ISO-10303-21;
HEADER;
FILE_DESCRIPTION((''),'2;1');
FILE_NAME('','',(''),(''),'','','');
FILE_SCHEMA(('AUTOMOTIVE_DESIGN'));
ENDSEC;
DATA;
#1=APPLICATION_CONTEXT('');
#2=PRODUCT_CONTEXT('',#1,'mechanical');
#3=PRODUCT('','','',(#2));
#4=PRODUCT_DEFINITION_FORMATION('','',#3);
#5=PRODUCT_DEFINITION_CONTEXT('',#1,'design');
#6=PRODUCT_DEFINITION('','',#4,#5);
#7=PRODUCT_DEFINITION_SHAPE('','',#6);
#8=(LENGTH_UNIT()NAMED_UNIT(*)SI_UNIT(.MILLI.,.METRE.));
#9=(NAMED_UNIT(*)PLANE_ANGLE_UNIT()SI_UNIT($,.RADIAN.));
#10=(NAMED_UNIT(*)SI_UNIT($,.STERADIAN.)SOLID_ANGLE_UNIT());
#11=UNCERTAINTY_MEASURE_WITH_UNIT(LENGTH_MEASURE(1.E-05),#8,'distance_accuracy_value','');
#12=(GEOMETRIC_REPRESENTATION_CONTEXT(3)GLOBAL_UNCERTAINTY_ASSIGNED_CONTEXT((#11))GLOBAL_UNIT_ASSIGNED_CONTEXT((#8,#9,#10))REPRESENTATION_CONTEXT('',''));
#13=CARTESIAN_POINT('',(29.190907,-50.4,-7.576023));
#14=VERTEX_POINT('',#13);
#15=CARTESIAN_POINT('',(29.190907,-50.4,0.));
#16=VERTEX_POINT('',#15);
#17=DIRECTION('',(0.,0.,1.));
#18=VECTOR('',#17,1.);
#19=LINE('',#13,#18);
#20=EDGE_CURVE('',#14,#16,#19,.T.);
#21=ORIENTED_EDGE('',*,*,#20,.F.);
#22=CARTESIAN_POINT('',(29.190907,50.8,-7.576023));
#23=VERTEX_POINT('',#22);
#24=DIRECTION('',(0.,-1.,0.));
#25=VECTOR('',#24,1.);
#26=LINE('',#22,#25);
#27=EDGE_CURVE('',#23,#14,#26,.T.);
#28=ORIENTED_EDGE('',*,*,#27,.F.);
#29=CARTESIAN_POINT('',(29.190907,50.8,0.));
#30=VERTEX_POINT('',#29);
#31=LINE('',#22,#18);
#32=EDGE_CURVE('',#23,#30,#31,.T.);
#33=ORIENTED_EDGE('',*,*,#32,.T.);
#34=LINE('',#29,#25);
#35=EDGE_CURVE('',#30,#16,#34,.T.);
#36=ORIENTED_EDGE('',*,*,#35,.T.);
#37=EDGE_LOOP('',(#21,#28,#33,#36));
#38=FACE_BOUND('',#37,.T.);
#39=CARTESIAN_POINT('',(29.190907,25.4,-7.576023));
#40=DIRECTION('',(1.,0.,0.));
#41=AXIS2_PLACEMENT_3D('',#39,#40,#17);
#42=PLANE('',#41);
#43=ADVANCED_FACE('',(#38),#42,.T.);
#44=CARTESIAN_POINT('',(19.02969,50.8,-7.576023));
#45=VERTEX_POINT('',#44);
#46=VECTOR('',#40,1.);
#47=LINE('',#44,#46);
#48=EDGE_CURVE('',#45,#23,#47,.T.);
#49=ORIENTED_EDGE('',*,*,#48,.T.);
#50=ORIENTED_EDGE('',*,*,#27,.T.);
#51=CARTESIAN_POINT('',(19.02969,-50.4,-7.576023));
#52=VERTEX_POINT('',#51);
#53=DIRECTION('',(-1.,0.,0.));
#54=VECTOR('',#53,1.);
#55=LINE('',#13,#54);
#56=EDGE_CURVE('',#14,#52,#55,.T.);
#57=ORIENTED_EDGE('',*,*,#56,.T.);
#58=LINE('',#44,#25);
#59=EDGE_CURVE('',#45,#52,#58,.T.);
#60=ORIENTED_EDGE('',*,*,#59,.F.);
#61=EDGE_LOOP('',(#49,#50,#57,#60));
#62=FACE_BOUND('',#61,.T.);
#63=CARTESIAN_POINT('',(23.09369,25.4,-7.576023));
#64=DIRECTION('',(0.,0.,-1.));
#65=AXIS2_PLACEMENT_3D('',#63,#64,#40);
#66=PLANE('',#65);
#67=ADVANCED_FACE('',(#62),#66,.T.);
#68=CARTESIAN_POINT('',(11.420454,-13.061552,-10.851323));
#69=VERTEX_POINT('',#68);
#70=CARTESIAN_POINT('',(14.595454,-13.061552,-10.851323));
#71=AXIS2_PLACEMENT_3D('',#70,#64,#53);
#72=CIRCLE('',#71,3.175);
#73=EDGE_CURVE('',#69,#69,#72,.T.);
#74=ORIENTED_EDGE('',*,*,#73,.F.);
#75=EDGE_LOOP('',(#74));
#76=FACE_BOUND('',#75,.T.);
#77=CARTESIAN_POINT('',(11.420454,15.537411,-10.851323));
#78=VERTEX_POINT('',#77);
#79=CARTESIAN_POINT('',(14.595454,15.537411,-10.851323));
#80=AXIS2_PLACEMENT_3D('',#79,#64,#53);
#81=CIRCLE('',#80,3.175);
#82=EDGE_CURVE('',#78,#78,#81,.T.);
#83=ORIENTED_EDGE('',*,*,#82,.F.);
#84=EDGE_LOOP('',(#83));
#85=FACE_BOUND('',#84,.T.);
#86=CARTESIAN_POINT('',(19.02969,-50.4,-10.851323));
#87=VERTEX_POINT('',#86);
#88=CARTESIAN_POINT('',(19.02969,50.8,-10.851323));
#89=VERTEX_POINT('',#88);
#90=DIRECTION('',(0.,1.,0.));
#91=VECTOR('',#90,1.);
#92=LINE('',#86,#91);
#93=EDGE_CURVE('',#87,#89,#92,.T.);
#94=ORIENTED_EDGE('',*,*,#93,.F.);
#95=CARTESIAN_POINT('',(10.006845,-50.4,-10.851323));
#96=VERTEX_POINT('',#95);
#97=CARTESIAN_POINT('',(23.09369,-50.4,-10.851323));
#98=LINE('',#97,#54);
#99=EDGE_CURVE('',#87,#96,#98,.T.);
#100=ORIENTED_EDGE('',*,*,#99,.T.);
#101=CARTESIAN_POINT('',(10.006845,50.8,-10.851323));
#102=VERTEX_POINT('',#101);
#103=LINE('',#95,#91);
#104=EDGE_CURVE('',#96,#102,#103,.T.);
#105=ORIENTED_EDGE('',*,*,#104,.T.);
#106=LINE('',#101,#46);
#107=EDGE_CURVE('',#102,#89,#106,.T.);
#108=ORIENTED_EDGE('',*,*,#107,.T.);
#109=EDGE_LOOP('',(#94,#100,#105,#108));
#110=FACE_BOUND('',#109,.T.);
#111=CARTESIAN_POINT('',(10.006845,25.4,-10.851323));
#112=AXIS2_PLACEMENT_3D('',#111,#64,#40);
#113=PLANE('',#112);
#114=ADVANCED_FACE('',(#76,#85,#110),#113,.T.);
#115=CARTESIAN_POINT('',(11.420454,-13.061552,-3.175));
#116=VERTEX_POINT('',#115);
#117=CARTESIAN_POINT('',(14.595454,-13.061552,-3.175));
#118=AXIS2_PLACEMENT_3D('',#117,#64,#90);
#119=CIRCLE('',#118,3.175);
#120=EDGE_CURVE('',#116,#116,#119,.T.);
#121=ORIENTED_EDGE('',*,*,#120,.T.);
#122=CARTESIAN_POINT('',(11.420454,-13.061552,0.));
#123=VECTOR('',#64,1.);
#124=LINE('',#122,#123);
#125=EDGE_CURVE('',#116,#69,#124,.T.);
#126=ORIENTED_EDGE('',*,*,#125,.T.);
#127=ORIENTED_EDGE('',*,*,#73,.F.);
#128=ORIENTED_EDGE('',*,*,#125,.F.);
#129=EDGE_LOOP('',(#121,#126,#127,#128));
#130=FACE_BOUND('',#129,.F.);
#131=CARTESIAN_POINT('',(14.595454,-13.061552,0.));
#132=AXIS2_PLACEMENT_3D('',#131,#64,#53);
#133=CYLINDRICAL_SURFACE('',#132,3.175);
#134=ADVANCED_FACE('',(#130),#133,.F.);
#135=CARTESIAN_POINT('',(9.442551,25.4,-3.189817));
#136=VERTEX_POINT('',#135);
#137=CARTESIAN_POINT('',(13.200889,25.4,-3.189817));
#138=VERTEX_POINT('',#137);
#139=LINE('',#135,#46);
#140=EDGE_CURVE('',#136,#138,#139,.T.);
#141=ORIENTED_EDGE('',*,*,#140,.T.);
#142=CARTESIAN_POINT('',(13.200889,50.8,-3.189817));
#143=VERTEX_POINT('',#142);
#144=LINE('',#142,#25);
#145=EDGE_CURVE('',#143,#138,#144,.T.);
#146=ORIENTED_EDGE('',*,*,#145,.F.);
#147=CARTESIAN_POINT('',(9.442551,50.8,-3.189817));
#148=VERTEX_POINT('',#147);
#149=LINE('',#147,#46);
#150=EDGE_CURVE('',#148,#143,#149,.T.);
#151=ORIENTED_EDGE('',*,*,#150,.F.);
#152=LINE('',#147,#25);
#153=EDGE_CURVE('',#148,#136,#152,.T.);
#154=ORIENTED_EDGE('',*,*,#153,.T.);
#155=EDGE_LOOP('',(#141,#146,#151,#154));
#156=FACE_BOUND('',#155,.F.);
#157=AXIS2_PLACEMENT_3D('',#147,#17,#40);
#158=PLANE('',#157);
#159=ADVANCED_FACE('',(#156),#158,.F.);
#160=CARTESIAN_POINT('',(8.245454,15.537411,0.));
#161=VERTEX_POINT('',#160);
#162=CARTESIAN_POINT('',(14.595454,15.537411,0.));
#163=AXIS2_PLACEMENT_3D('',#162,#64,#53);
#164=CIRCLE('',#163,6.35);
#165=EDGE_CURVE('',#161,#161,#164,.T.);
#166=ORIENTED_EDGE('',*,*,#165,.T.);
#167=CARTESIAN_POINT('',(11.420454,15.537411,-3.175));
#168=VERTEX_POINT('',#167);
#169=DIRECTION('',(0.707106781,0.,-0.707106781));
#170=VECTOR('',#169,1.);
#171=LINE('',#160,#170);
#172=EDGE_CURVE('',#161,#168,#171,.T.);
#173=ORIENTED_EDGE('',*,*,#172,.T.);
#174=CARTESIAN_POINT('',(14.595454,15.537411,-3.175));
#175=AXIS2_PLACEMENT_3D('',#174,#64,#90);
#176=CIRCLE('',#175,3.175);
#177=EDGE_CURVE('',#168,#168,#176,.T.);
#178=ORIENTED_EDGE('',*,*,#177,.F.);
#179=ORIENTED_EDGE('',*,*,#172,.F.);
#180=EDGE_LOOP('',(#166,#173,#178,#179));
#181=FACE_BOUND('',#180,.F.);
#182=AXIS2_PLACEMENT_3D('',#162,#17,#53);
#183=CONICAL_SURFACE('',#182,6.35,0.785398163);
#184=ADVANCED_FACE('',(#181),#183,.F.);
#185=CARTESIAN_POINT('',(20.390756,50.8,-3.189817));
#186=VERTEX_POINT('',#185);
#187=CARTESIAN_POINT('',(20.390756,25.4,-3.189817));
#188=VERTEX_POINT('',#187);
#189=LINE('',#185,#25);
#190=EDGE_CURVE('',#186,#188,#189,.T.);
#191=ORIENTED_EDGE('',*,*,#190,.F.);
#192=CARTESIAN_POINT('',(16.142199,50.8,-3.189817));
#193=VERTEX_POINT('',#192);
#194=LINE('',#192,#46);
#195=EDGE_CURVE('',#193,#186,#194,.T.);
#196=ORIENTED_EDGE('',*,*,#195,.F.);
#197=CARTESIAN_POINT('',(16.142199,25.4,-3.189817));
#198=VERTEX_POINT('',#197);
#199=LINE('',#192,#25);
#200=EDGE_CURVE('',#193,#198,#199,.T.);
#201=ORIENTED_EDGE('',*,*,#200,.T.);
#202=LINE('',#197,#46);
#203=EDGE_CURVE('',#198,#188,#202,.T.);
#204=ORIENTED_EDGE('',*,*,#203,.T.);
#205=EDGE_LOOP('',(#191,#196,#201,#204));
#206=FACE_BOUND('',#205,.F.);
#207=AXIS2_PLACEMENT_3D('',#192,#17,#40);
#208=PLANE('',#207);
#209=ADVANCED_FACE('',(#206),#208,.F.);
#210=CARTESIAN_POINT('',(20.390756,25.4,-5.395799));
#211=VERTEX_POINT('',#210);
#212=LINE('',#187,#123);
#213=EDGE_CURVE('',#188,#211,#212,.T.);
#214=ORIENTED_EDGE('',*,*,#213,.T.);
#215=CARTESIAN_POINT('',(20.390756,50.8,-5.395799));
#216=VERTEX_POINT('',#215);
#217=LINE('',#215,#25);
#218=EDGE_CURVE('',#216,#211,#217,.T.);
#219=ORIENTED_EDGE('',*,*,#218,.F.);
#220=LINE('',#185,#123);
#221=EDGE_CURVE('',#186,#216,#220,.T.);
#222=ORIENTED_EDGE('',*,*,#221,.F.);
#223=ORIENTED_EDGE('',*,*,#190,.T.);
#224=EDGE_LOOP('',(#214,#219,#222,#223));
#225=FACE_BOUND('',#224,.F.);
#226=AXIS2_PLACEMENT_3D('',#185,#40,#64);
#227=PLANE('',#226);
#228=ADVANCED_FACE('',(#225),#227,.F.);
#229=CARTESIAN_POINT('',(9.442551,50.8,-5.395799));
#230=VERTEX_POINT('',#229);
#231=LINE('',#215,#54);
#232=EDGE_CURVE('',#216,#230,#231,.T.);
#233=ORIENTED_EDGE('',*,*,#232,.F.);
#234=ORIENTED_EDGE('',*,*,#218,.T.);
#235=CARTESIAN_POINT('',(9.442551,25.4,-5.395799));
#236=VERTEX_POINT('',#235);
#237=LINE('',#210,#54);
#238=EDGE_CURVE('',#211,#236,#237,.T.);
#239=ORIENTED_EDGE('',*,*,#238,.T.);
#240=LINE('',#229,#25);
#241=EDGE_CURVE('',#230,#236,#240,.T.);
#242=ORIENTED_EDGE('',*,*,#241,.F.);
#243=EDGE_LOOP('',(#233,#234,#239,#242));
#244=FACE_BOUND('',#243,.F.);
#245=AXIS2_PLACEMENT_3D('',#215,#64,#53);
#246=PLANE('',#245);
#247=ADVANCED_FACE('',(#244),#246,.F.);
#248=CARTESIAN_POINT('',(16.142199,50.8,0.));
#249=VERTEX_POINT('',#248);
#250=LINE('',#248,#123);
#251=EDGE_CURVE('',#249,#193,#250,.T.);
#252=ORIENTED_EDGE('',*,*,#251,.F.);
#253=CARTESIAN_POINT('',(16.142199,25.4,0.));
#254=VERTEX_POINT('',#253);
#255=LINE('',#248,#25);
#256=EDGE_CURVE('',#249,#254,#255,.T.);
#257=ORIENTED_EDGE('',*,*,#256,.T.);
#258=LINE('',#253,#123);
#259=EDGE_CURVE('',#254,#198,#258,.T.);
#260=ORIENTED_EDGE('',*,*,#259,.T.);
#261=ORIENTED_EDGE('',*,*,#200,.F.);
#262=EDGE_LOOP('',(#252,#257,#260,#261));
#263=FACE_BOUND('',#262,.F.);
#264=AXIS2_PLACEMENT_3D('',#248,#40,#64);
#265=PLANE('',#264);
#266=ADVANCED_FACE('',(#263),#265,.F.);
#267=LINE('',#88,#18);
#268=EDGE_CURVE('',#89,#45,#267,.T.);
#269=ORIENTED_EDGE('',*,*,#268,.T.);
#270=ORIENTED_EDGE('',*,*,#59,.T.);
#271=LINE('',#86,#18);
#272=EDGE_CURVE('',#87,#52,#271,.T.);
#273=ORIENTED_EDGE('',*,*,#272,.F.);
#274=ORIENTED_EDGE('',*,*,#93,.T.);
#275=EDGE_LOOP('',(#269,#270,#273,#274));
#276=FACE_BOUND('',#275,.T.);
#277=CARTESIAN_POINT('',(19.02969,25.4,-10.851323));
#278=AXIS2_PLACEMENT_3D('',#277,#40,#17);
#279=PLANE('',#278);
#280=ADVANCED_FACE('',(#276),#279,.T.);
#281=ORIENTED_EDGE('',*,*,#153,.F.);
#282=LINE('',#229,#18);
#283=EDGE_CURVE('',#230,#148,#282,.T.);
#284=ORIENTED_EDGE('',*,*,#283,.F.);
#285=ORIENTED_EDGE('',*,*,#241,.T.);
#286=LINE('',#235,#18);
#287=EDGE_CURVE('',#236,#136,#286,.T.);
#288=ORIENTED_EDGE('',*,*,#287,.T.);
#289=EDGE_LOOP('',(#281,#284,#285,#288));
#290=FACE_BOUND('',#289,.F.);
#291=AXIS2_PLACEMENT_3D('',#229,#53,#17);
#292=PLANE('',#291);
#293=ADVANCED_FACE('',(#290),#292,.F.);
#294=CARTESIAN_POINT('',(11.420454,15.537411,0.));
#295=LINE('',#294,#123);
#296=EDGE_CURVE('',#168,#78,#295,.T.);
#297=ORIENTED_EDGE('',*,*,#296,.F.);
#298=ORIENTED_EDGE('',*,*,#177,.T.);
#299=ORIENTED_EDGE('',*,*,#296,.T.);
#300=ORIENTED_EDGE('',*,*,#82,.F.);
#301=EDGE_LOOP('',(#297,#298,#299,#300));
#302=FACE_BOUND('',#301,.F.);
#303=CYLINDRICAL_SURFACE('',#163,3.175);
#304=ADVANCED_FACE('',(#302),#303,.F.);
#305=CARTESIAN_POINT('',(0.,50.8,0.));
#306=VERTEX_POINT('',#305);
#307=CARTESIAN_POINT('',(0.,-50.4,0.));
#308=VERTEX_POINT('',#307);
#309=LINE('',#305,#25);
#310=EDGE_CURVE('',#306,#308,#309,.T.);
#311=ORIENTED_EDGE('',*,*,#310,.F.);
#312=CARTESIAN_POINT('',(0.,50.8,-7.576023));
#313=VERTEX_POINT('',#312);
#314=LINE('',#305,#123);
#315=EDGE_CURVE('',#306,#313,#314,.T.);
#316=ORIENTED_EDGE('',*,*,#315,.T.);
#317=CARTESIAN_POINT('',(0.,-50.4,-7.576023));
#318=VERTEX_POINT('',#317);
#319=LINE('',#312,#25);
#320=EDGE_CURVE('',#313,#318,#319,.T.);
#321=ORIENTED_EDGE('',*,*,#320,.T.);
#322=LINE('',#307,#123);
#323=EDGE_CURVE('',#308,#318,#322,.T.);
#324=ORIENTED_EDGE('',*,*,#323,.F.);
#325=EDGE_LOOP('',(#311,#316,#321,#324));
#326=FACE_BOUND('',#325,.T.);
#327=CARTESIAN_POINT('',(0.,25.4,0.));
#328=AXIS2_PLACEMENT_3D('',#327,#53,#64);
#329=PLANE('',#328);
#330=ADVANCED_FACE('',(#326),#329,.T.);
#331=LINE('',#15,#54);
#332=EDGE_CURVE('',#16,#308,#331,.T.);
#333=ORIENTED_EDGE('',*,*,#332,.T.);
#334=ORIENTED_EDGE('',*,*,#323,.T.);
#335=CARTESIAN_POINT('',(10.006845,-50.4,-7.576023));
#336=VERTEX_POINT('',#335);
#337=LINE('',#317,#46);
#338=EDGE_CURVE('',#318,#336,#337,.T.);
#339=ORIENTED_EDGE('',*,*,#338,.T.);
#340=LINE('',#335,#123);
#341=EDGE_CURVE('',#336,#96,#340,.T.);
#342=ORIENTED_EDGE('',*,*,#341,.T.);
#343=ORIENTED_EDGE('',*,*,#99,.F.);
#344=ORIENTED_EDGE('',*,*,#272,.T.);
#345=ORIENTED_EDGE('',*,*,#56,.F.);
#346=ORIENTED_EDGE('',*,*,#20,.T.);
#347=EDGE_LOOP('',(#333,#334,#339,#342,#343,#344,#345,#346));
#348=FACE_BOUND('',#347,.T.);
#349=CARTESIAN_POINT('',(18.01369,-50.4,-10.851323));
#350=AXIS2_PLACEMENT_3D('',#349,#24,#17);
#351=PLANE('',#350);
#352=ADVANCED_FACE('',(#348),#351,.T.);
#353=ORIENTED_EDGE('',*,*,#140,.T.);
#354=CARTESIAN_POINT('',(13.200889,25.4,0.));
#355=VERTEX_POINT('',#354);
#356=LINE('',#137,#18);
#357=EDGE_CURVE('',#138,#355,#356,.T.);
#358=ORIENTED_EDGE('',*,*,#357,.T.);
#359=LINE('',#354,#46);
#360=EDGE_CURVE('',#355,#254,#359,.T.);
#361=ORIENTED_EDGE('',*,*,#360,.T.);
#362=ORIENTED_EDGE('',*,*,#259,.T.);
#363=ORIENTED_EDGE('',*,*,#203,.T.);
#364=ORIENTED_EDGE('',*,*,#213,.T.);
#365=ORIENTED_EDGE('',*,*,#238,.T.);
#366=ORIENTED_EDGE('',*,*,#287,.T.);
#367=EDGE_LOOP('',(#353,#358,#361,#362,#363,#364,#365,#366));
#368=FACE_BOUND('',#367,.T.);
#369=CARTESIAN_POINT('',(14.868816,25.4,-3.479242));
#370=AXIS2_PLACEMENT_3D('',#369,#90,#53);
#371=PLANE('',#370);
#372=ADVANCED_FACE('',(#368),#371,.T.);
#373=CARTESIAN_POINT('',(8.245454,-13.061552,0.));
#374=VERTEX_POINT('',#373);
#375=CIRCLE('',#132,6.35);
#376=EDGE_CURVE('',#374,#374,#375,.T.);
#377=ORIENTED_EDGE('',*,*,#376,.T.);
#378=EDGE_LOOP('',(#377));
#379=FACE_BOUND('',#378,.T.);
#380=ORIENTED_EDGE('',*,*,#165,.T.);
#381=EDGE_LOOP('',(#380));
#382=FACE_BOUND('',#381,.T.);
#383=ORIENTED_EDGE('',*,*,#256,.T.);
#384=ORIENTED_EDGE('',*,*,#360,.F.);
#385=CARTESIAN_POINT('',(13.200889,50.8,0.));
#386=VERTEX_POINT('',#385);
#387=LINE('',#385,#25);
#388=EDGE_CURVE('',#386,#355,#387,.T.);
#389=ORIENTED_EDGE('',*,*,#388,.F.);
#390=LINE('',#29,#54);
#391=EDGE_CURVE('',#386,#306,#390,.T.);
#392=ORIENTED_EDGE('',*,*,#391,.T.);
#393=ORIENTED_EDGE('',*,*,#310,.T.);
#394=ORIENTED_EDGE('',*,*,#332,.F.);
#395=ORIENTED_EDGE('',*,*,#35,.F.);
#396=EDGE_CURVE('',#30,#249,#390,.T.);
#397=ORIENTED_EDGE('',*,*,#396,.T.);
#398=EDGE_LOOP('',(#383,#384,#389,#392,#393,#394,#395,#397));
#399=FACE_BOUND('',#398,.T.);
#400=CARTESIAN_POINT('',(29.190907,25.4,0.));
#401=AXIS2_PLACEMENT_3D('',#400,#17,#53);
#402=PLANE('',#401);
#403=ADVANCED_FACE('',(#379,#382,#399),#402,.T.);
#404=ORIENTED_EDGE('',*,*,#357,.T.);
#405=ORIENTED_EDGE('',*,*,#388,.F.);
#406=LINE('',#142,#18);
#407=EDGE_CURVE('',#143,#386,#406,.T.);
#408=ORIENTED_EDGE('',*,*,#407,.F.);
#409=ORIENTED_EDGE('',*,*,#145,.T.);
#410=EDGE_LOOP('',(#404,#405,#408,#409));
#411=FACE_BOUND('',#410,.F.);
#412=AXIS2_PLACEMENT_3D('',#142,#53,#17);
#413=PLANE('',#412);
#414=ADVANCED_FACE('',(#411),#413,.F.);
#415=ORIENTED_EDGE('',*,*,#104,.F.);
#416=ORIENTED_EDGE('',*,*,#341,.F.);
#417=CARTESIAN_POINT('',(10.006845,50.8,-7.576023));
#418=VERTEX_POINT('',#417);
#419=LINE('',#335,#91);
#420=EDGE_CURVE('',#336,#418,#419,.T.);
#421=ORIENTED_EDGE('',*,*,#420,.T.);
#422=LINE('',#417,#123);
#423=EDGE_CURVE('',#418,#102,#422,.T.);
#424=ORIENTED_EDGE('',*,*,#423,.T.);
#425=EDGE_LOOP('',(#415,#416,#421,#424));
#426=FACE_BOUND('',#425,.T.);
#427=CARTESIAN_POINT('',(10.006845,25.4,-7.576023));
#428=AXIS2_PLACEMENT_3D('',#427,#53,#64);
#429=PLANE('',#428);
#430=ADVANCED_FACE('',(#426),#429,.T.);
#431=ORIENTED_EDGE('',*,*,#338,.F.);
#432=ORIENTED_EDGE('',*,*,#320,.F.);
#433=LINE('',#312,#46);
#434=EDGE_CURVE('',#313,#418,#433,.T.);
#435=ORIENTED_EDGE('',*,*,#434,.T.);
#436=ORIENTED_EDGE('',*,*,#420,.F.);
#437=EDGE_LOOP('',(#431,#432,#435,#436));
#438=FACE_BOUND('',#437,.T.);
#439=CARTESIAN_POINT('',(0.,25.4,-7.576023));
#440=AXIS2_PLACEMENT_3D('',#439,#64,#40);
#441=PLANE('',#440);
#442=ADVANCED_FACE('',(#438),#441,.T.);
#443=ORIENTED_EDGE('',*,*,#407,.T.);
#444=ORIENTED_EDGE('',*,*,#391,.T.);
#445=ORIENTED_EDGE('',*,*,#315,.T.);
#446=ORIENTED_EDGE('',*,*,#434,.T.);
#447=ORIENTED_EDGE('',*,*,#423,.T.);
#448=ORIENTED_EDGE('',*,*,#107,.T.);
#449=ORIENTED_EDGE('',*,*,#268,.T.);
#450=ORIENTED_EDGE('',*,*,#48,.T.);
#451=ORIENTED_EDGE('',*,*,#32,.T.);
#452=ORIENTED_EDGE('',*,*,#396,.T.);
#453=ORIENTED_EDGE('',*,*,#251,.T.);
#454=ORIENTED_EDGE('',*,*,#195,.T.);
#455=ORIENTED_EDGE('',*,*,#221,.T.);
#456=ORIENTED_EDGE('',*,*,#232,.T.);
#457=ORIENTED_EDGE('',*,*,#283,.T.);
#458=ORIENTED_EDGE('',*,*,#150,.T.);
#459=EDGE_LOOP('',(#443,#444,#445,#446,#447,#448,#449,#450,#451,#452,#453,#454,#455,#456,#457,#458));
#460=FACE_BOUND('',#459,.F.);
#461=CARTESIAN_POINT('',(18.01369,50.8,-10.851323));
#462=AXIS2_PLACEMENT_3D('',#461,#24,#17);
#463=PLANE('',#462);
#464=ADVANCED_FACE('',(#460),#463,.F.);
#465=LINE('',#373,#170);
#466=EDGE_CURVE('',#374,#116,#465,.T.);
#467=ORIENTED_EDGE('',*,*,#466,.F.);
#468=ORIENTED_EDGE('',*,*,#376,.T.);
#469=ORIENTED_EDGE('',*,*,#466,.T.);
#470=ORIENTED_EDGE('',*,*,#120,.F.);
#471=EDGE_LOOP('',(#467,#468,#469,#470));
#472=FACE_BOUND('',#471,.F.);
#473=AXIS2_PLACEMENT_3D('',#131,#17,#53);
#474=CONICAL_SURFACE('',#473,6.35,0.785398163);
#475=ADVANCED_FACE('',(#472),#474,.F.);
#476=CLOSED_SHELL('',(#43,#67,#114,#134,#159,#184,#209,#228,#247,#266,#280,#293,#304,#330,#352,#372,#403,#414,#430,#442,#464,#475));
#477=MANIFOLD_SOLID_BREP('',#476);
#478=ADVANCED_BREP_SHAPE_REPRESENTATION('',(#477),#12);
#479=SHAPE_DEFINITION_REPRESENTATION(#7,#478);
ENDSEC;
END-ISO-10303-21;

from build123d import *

# Parameters (mm, degrees)
F1_DEPTH       = 25
F2_DEPTH       = 2.1844
F3_DEPTH       = 25.4
F5_D           = 6.35
F5_CSINK_D     = 12.7
F5_CSINK_ANGLE = 90
F6_DEPTH       = 5.08
F7_DEPTH       = 25.4
F8_DEPTH       = 25.4
F9_DEPTH       = 4.064
F11_DEPTH      = 25.4


with BuildPart() as f1:
    # F0 (on Front) → F1 (new body)
    with BuildSketch(Plane.XZ):
        Polygon((29.1909072548, 0), (0, 0), (0, -7.5760227628), (12.1912453324, -7.5760227628), (12.1912453324, -10.8513226733), (18.013689667, -10.8513226733), (18.013689667, -7.5760227628), (29.1909072548, -7.5760227628), align=None)
    extrude(amount=F1_DEPTH)

    # F2 (add): a face of the model
    f2_faces = [f1.faces().sort_by_distance(p)[0] for p in [
        (12.1912453324, -12.5, -9.213672718),
    ]]
    extrude(f2_faces, amount=F2_DEPTH)

    # F3 (add): a face of the model
    f3_faces = [f1.faces().sort_by_distance(p)[0] for p in [
        (14.5334168429, 0, -4.3631968941),
    ]]
    extrude(f3_faces, amount=F3_DEPTH)

    # F5 (through all)
    with Locations(Plane.XY):
        with Locations((14.5954536274, 15.5374109745), (14.5954536274, -13.0615523085)):
            CounterSinkHole(F5_D / 2, F5_CSINK_D / 2, counter_sink_angle=F5_CSINK_ANGLE)

    # F6 (add): a face of the model
    f6_faces = [f1.faces().sort_by_distance(p)[0] for p in [
        (18.013689667, 0.2, -9.213672718),
    ]]
    extrude(f6_faces, amount=F6_DEPTH)

    # F7 (add): a face of the model
    f7_faces = [f1.faces().sort_by_distance(p)[0] for p in [
        (14.9128222173, -25, -4.6688801497),
    ]]
    extrude(f7_faces, amount=F7_DEPTH)

    # F8 (add): a face of the model
    f8_faces = [f1.faces().sort_by_distance(p)[0] for p in [
        (14.9128222173, 25.4, -4.6688801497),
    ]]
    extrude(f8_faces, amount=F8_DEPTH)

    # F9 (cut): a face of the model
    f9_faces = [f1.faces().sort_by_distance(p)[0] for p in [
        (23.093689667, 0.2, -9.213672718),
    ]]
    extrude(f9_faces, amount=-F9_DEPTH, mode=Mode.SUBTRACT)

    # F10 (on face) → F11 (cut)
    with BuildSketch(Plane(origin=(0, 50.8, 0), x_dir=(-1, 0, 0), z_dir=(0, 1, 0))):
        Polygon((-13.2008893415, 0), (-16.1421988159, 0), (-16.1421988159, -3.189817071), (-20.3907564282, -3.189817071), (-20.3907564282, -5.3957989439), (-9.4425510615, -5.3957989439), (-9.4425510615, -3.189817071), (-13.2008893415, -3.189817071), align=None)
    extrude(amount=-F11_DEPTH, mode=Mode.SUBTRACT)


solid = f1.part
